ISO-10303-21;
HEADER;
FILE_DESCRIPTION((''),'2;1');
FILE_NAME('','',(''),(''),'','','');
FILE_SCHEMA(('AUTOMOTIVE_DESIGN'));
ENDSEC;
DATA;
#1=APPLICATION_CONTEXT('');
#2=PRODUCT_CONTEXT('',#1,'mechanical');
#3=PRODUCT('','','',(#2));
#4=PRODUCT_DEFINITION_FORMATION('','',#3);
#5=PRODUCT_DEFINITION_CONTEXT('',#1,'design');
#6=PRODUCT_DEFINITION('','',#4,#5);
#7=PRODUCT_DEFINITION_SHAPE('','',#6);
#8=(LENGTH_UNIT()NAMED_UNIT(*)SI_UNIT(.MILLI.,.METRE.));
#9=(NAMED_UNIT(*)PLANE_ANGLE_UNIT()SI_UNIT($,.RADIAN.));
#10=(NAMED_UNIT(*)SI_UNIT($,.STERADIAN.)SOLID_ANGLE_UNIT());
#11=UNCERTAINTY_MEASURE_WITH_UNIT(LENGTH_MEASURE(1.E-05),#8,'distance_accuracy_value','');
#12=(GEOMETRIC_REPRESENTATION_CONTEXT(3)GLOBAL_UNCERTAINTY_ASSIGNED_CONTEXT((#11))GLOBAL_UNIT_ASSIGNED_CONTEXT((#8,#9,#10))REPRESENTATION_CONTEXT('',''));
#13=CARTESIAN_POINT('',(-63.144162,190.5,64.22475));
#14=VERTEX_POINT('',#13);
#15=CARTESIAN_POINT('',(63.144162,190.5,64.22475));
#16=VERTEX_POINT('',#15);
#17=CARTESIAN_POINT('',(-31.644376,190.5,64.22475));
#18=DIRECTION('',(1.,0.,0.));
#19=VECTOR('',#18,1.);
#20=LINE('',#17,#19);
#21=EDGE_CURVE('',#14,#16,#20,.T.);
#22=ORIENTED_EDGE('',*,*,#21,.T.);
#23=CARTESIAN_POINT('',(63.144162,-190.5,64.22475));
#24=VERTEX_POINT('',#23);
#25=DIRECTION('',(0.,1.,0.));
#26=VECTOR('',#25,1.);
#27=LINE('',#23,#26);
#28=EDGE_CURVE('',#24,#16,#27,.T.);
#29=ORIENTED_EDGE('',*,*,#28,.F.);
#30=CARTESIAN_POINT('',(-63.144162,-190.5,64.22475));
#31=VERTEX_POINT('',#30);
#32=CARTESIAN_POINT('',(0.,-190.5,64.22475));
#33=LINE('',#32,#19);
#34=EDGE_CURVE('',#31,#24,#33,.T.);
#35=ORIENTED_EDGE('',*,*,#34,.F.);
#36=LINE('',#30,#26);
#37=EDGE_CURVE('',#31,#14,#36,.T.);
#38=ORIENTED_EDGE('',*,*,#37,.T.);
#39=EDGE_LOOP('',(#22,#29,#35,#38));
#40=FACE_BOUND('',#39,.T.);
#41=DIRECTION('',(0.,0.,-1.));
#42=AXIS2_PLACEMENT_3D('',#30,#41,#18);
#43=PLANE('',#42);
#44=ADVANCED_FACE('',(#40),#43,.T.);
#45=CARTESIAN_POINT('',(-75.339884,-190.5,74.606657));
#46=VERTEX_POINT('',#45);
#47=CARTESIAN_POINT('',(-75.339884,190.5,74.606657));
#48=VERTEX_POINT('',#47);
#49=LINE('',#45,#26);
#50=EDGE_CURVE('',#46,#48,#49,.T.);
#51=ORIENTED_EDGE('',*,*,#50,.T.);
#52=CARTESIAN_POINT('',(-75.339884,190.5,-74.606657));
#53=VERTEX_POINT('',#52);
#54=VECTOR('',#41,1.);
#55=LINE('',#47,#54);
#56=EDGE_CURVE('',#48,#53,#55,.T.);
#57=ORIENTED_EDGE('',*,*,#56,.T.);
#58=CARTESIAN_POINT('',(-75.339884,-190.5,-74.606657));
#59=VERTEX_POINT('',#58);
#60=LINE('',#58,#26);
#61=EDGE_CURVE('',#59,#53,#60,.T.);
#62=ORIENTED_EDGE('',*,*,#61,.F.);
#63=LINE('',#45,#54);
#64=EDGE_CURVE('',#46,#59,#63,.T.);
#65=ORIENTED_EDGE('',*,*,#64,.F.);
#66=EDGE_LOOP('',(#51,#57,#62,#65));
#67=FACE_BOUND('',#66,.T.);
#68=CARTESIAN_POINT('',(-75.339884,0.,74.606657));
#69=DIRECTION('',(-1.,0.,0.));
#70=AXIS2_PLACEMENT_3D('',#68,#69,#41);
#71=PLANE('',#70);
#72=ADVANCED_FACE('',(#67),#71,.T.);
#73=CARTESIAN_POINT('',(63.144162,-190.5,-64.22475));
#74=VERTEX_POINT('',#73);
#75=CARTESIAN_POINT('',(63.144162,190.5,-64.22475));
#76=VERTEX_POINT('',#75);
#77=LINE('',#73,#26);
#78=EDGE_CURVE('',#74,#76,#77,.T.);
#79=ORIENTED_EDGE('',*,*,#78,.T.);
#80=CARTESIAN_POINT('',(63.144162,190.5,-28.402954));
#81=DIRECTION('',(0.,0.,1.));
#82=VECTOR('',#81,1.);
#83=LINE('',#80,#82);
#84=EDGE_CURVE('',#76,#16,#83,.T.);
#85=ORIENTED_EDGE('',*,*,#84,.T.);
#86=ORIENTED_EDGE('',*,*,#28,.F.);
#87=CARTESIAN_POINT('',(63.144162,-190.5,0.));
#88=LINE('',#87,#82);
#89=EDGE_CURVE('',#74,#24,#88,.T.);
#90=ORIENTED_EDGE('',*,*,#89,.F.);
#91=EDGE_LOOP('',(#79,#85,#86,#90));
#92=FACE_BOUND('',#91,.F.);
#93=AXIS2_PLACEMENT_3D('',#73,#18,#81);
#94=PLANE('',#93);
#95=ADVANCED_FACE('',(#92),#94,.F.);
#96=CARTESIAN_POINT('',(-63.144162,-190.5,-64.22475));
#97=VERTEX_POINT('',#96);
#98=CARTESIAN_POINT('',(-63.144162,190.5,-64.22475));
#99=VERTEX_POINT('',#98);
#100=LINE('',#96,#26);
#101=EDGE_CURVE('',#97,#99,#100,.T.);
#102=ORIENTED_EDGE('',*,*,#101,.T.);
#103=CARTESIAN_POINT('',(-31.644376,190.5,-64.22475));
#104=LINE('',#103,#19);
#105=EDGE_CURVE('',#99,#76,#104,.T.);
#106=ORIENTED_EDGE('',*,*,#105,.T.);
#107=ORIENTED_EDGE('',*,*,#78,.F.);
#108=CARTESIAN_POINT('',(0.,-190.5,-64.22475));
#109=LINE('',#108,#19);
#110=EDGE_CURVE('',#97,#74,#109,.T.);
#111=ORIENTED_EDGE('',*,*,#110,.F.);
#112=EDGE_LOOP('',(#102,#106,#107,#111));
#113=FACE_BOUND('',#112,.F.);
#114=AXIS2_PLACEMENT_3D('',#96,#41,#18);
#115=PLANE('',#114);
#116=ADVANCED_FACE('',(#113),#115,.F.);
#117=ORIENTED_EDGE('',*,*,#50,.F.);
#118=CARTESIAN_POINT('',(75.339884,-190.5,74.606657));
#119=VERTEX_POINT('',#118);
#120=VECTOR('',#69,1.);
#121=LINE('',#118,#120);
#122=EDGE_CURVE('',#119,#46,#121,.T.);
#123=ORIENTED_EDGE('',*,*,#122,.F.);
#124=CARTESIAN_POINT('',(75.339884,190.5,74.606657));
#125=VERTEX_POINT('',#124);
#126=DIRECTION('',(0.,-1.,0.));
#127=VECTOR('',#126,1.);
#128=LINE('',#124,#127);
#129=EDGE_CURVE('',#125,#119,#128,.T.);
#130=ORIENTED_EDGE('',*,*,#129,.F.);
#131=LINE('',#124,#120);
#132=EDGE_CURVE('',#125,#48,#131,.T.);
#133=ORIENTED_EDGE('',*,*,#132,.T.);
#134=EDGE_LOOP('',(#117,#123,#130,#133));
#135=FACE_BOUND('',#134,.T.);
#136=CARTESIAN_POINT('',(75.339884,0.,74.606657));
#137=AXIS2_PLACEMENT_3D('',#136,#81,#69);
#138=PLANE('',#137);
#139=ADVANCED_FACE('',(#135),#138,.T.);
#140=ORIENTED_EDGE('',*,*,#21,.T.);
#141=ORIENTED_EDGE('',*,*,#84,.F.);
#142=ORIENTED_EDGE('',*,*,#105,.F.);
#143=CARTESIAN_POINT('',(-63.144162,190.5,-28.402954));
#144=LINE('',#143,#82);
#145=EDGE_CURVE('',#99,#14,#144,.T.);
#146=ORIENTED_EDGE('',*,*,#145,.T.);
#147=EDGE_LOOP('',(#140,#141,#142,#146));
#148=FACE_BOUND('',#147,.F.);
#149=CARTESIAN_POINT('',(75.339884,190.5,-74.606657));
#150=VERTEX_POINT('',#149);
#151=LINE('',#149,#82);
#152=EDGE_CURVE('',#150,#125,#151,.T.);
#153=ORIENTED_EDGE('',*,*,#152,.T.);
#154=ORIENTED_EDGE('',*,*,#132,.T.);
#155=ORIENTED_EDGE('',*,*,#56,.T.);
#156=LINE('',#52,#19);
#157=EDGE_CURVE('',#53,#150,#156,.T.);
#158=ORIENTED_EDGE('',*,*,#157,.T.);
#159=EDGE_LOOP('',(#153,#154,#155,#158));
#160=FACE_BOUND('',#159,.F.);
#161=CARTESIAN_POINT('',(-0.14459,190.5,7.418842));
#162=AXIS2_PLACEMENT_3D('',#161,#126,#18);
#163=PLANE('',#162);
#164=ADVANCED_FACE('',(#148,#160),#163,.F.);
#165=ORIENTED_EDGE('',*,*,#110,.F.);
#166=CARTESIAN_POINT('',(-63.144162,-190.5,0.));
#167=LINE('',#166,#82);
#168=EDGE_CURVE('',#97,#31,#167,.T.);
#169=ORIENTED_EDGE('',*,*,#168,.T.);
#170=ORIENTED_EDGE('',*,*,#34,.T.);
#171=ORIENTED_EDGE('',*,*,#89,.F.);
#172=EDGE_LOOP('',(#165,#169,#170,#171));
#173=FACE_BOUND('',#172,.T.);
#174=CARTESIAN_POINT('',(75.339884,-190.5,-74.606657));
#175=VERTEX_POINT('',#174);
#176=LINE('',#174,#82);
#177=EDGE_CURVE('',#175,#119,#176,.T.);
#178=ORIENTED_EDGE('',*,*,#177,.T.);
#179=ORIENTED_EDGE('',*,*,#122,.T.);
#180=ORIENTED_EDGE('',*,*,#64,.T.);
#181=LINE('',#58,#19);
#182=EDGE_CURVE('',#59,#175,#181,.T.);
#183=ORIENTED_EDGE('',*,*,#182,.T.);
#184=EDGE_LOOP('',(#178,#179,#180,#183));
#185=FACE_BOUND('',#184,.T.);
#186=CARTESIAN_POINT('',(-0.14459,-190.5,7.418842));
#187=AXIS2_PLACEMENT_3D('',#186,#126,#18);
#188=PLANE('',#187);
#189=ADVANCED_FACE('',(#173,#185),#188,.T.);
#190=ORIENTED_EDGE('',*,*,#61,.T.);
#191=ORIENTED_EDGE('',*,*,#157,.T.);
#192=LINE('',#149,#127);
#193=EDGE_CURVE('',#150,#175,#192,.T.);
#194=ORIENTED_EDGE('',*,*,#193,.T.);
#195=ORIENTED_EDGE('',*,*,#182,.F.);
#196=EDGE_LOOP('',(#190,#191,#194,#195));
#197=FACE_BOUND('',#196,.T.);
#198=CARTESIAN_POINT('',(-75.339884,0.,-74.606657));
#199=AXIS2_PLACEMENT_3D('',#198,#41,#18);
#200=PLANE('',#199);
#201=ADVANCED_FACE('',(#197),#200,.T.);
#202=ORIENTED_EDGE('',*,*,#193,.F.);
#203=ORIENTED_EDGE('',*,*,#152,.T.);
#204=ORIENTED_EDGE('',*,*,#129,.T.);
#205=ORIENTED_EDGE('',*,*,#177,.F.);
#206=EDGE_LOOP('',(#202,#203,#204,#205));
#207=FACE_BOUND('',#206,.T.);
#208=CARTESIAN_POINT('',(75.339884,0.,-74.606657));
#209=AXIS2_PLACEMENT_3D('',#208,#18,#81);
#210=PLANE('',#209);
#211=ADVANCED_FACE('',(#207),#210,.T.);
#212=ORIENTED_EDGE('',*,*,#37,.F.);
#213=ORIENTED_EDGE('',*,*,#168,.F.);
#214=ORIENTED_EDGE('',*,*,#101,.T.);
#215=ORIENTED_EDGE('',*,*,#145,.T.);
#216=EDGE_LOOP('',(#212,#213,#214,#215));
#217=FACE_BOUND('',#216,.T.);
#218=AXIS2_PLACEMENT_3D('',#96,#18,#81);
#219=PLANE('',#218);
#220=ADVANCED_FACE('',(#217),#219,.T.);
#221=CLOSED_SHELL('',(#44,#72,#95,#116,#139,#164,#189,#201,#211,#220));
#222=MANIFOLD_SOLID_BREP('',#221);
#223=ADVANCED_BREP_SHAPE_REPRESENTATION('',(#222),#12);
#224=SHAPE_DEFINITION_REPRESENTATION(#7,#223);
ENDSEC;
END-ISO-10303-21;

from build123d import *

# Parameters (mm, degrees)
F0_W     = 75.339884
F0_H     = 73.899612
F1_DEPTH = 190.5
F2_W     = 126.288324
F2_H     = 128.4495
F3_DEPTH = 482.6


with BuildPart() as f1:
    # F0 (on Front) → F1 (new body, symmetric)
    with BuildSketch(Plane.XZ):
        Polygon((0, 73.899612), (0, 0), (-75.339884, 0), (-75.339884, -74.606657), (75.339884, -74.606657), (75.339884, 74.606657), (-75.339884, 74.606657), (-75.339884, 73.899612), align=None)
        with Locations((-37.669942, 36.949806)):
            Rectangle(F0_W, F0_H)
    extrude(amount=F1_DEPTH, both=True)

    # F2 (on face) → F3 (cut)
    with BuildSketch(Plane.XZ.offset(190.5)):
        Rectangle(F2_W, F2_H)
    extrude(amount=-F3_DEPTH, mode=Mode.SUBTRACT)


solid = f1.part
